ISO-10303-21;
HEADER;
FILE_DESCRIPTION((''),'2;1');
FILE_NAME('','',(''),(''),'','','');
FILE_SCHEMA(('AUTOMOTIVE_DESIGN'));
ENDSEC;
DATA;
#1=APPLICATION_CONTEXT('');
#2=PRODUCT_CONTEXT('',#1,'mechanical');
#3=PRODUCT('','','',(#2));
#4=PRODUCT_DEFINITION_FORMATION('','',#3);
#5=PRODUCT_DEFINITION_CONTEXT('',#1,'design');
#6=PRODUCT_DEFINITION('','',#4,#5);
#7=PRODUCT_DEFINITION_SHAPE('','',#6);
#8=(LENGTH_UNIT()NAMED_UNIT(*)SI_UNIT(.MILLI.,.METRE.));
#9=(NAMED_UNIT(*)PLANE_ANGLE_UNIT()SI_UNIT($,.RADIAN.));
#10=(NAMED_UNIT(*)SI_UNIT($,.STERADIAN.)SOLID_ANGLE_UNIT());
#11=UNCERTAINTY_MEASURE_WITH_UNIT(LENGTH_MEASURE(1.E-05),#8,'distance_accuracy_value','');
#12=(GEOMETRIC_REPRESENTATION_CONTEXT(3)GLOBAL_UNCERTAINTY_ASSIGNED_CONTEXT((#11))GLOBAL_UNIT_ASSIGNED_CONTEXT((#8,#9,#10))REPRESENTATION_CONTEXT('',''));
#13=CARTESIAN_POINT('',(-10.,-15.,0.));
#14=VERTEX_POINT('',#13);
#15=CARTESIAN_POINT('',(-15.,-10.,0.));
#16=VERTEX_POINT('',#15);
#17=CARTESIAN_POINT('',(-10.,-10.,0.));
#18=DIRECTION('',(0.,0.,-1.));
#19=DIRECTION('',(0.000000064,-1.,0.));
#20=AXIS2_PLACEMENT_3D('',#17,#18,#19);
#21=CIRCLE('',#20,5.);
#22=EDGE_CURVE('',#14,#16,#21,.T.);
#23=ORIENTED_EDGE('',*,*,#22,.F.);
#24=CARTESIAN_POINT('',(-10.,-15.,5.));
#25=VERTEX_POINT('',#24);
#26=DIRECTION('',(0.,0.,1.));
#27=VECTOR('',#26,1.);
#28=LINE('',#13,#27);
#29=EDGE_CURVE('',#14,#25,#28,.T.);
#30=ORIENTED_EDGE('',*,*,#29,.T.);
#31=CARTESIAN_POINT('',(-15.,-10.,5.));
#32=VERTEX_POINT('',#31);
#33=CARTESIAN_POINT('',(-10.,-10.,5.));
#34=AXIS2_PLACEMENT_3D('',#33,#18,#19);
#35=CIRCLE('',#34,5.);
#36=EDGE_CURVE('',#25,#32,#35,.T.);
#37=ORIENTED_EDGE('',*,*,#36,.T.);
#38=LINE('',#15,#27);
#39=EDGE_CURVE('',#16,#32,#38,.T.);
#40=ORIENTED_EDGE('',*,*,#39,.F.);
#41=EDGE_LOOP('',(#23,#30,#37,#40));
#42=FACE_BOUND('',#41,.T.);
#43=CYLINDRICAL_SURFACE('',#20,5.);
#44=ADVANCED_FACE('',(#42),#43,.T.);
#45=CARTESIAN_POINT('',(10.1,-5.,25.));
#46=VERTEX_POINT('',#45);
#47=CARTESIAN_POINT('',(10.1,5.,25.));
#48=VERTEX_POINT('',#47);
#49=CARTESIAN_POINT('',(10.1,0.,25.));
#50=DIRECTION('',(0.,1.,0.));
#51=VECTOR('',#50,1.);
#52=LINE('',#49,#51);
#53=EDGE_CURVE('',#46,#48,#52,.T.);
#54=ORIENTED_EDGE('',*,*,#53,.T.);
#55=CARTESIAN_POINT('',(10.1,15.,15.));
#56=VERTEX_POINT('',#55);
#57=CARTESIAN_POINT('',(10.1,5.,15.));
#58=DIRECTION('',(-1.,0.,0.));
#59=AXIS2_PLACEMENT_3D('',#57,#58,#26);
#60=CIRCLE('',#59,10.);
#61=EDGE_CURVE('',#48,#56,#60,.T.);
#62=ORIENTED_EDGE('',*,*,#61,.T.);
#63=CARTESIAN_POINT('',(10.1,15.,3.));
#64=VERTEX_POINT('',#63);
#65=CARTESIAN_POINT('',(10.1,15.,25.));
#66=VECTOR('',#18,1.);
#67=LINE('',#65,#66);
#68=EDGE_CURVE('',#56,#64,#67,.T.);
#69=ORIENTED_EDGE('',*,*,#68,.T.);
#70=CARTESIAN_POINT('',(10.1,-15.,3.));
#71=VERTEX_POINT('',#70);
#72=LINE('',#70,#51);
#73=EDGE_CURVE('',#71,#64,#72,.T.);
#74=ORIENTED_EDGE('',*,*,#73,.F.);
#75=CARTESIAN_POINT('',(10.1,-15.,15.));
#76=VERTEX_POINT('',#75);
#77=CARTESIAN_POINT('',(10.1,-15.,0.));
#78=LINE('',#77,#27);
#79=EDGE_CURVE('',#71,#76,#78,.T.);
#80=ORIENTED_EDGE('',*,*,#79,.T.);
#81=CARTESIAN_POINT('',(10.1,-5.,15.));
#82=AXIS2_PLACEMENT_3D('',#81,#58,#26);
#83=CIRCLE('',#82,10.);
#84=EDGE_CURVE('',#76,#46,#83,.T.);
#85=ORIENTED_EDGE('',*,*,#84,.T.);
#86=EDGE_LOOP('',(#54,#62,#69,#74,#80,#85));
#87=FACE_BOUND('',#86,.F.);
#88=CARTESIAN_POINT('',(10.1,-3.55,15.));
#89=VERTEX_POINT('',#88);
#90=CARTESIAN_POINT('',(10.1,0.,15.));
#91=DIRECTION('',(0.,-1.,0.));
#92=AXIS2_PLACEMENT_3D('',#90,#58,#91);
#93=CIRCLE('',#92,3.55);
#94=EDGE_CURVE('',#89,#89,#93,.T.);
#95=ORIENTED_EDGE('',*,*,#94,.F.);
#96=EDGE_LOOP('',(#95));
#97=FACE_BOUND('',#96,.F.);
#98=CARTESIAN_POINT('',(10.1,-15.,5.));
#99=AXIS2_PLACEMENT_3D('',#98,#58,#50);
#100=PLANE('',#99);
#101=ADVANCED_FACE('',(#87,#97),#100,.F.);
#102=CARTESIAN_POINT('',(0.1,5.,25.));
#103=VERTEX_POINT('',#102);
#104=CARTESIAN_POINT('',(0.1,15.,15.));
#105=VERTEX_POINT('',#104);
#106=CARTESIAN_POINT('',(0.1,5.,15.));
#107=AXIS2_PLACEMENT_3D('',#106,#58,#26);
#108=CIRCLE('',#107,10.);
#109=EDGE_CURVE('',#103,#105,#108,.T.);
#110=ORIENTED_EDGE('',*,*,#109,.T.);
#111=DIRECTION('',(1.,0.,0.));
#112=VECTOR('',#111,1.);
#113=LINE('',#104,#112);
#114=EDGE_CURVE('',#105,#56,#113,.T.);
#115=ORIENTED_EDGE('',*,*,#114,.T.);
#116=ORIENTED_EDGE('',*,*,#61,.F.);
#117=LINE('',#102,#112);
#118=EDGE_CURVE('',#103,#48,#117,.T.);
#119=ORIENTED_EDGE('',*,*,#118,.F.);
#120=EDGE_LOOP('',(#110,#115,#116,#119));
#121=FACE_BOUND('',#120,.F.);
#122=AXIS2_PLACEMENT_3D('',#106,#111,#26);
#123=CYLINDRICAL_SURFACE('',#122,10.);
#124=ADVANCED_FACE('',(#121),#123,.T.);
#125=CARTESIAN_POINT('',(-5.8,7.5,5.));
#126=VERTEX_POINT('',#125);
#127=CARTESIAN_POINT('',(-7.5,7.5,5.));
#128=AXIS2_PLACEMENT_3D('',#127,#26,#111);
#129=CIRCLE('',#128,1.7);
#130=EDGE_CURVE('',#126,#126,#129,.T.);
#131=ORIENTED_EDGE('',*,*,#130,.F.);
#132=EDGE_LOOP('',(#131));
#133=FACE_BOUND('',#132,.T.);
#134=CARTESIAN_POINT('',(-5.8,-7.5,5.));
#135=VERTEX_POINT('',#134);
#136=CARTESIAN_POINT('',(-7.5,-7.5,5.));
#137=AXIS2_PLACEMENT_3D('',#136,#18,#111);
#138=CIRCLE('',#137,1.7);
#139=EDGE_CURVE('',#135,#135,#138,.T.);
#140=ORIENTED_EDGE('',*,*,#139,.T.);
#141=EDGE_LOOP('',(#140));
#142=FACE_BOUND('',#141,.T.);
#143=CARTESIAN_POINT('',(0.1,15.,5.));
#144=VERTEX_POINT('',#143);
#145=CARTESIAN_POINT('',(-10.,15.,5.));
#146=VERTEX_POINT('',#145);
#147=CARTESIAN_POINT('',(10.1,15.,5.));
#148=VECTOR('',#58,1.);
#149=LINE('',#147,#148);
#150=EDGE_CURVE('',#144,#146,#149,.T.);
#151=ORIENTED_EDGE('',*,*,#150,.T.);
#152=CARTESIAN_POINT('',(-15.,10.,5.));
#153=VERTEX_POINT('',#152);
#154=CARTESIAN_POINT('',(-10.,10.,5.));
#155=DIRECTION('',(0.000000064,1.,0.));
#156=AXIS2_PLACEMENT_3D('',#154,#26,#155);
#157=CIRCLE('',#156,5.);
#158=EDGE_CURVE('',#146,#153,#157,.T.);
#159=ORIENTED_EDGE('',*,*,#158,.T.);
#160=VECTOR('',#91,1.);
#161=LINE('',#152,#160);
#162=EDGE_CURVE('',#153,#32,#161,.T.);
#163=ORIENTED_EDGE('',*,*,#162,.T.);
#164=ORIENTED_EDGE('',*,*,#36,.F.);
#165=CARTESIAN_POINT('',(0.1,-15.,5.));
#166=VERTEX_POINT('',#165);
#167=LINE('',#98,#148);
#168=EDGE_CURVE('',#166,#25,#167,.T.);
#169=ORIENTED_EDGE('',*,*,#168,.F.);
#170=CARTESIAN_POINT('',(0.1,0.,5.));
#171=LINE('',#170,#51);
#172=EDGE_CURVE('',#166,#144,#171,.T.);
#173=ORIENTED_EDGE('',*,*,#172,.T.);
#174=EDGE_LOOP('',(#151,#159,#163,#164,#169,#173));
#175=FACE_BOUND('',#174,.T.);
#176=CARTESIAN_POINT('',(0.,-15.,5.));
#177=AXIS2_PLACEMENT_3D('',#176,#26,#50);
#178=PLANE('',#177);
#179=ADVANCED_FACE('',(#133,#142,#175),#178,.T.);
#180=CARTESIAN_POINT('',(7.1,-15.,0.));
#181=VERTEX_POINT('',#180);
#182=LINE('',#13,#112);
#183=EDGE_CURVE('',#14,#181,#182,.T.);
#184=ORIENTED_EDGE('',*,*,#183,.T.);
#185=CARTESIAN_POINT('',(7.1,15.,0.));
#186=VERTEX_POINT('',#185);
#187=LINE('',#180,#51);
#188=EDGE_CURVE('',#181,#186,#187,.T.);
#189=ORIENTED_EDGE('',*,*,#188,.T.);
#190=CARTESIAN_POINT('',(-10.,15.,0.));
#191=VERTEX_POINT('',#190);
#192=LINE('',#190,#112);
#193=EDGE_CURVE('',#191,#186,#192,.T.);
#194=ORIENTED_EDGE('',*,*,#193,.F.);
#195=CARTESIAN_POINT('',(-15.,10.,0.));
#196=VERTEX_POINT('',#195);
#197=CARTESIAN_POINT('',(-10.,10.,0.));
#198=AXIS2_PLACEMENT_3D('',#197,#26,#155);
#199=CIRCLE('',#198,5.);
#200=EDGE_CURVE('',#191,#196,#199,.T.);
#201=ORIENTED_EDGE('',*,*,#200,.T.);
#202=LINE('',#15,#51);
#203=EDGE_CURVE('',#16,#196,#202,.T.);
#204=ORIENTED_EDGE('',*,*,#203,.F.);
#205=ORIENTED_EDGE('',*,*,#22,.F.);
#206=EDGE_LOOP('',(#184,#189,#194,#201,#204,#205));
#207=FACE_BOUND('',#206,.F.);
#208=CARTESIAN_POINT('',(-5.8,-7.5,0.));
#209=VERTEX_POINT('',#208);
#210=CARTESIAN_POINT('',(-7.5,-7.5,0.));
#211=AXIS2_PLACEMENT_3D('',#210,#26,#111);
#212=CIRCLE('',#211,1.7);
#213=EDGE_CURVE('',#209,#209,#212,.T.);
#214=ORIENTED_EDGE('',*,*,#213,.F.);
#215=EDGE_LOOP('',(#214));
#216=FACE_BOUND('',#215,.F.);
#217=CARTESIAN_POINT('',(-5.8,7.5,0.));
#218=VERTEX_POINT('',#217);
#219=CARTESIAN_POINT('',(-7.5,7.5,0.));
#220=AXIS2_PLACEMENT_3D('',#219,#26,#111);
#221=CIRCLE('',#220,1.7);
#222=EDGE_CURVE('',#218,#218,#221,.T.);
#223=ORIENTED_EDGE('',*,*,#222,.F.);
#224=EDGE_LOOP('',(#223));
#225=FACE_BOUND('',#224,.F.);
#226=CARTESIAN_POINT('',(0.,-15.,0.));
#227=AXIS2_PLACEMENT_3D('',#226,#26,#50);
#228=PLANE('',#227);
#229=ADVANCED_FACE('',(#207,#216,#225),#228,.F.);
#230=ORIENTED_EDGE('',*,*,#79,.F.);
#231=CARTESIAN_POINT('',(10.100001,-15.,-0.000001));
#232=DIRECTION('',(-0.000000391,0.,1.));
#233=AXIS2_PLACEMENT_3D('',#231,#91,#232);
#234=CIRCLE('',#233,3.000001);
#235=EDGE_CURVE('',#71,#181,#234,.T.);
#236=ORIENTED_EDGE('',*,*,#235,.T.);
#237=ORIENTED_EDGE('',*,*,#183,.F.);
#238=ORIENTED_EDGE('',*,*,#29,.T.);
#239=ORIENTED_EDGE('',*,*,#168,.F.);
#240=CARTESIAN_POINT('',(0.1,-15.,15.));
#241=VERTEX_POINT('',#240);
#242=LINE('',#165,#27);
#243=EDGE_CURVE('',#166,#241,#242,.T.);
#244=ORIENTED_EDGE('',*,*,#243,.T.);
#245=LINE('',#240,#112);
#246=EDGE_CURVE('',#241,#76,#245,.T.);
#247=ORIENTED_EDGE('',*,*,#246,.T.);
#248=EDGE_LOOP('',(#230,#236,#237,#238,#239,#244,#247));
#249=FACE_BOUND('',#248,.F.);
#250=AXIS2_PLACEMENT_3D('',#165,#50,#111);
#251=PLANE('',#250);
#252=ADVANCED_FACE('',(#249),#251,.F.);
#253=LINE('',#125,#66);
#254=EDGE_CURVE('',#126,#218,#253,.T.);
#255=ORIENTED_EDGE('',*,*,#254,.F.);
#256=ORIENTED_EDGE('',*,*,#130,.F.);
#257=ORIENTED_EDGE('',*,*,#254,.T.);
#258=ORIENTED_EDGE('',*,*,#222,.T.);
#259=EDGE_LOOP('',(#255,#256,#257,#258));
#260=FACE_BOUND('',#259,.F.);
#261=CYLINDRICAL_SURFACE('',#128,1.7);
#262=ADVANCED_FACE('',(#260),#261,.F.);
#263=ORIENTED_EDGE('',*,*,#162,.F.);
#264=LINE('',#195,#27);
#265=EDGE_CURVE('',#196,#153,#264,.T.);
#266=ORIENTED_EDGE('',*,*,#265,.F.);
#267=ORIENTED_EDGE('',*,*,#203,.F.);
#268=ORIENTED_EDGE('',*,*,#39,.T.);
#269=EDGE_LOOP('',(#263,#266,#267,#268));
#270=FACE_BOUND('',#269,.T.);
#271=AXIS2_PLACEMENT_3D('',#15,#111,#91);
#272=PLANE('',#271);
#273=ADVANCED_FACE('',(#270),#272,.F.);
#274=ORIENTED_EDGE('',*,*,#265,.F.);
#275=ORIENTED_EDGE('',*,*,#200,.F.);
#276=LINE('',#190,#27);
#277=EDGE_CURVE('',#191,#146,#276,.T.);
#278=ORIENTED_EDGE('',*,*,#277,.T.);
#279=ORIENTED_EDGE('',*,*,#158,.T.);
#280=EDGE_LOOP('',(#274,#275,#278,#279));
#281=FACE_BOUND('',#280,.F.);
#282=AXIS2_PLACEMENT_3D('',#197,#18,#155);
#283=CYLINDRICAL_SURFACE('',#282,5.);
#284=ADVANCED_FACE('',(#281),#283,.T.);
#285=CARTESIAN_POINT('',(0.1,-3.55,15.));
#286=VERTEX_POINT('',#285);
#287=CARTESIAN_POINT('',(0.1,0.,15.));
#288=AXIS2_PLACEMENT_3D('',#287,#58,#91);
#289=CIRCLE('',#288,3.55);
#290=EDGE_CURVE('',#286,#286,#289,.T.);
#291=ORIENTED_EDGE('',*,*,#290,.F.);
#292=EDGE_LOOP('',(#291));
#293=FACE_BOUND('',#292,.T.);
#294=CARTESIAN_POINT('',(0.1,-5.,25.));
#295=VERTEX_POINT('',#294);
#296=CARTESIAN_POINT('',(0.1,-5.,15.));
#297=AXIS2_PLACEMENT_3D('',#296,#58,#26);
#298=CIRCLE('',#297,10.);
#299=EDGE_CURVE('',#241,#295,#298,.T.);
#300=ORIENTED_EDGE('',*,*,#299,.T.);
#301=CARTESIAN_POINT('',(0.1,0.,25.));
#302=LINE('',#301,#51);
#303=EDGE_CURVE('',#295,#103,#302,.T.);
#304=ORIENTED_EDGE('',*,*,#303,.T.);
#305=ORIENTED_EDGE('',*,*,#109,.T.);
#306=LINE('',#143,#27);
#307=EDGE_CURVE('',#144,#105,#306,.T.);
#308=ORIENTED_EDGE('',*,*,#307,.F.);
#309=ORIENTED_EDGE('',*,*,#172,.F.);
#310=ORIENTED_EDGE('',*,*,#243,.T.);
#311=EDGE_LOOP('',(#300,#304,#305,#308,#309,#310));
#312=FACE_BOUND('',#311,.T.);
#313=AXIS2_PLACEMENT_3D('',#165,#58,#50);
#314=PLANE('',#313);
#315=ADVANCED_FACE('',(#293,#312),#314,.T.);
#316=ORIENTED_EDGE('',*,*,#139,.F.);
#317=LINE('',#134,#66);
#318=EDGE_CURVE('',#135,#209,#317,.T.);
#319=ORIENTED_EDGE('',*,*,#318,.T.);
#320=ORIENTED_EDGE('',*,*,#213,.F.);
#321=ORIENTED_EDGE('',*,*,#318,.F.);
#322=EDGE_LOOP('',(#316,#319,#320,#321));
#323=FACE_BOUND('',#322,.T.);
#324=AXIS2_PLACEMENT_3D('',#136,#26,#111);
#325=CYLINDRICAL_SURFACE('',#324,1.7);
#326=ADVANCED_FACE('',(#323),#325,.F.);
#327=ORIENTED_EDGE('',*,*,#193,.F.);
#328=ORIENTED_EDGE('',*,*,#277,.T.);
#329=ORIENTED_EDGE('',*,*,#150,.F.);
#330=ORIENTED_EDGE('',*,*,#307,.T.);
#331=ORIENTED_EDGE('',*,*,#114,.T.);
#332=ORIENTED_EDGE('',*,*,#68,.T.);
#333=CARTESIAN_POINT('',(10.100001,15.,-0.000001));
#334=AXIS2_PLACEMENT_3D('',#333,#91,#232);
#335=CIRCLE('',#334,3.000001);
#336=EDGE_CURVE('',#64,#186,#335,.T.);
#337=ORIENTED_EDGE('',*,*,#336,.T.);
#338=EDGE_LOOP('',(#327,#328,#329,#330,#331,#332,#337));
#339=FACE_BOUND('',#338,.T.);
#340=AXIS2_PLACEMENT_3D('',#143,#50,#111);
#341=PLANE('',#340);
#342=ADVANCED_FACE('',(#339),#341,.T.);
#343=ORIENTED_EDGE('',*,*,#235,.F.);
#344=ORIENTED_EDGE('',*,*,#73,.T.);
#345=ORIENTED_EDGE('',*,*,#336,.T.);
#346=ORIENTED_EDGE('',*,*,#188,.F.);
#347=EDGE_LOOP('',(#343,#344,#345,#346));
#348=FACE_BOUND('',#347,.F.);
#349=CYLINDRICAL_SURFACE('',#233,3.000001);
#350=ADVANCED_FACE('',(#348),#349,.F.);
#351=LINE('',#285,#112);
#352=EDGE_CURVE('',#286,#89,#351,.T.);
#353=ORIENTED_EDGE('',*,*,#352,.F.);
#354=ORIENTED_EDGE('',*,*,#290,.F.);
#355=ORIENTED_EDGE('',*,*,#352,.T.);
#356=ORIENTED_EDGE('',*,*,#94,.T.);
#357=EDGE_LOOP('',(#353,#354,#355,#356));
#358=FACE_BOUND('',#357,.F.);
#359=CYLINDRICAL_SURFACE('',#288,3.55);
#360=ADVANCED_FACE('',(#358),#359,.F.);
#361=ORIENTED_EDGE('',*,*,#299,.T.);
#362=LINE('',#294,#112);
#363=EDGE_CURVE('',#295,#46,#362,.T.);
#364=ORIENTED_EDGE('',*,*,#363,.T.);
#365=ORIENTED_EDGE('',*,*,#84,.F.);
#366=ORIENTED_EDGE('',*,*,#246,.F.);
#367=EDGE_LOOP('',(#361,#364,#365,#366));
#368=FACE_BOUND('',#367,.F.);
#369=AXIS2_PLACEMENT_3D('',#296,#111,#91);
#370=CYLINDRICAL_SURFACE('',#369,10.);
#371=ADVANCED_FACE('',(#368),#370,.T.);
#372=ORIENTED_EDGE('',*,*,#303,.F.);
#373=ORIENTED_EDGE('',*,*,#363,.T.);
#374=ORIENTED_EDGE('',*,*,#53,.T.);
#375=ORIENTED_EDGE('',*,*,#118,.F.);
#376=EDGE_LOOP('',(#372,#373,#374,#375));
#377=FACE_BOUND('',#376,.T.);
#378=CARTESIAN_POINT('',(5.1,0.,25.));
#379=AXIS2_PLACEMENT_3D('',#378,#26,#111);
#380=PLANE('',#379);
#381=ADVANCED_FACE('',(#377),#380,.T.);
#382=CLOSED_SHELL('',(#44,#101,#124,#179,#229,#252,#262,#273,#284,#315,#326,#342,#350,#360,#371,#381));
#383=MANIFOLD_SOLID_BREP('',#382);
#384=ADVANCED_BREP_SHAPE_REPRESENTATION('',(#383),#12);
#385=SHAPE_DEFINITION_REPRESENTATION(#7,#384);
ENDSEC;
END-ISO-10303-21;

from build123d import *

# Parameters (mm, degrees)
PAD_DEPTH     = 5
SKETCH001_R   = 1.7
HOLE_DEPTH    = 72.8243
SKETCH002_W   = 30
SKETCH002_H   = 5
PAD001_DEPTH  = 10.1
SKETCH003_W   = 10
SKETCH003_H   = 30
PAD002_DEPTH  = 20
SKETCH005_R   = 3.55
HOLE001_DEPTH = 10.001
POCKET_DEPTH  = 30.001
FILLET_R      = 10


with BuildPart() as part:
    # Sketch → Pad (new body)
    with BuildSketch(Plane.XY):
        with BuildLine():
            Line((-15, 0), (0, 0))
            Line((0, 0), (0, 15))
            Line((0, 15), (-10, 15))
            ThreePointArc((-10, 15), (-13.535534, 13.535534), (-15, 10))
            Line((-15, 10), (-15, 0))
        make_face()
    pad = extrude(amount=PAD_DEPTH)

    # Mirrored: Pad across XZ
    add(pad.mirror(Plane.XZ))

    # Sketch001 (on Face5 of Mirrored) → Hole (cut, through all)
    with BuildSketch(Plane.XY.offset(5)):
        with Locations((-7.5, 7.5)):
            Circle(SKETCH001_R)
    hole = extrude(amount=-HOLE_DEPTH, mode=Mode.SUBTRACT)

    # Mirrored001: Hole across XZ
    add(hole.mirror(Plane.XZ), mode=Mode.SUBTRACT)

    # Sketch002 (on Face2 of Mirrored001) → Pad001 (join)
    with BuildSketch(Plane.YZ):
        with Locations((0, 2.5)):
            Rectangle(SKETCH002_W, SKETCH002_H)
    extrude(amount=PAD001_DEPTH)

    # Sketch003 (on Face7 of Pad001) → Pad002 (join)
    with BuildSketch(Plane.XY.offset(5)):
        with Locations((5.1, 0)):
            Rectangle(SKETCH003_W, SKETCH003_H)
    extrude(amount=PAD002_DEPTH)

    # Sketch005 (on Face15 of Pad002) → Hole001 (cut, through all)
    with BuildSketch(Plane(origin=(0.1, 0, 0), x_dir=(0, -1, 0), z_dir=(-1, 0, 0))):
        with Locations((0, 15)):
            Circle(SKETCH005_R)
    extrude(amount=-HOLE001_DEPTH, mode=Mode.SUBTRACT)

    # Sketch006 (on Face14 of Hole001) → Pocket (cut, through all)
    with BuildSketch(Plane.XZ.offset(15)):
        with BuildLine():
            ThreePointArc((10.1, 3), (7.97868, 2.12132), (7.1, 0))
            Line((10.1, 0), (7.1, 0))
            Line((10.1, 3), (10.1, 0))
        make_face()
    extrude(amount=-POCKET_DEPTH, mode=Mode.SUBTRACT)

    # Fillet
    fillet_edges = [part.edges().sort_by_distance(p)[0] for p in [
        (5.1, -15, 25),
        (5.1, 15, 25),
    ]]
    fillet(fillet_edges, radius=FILLET_R)


solid = part.part
